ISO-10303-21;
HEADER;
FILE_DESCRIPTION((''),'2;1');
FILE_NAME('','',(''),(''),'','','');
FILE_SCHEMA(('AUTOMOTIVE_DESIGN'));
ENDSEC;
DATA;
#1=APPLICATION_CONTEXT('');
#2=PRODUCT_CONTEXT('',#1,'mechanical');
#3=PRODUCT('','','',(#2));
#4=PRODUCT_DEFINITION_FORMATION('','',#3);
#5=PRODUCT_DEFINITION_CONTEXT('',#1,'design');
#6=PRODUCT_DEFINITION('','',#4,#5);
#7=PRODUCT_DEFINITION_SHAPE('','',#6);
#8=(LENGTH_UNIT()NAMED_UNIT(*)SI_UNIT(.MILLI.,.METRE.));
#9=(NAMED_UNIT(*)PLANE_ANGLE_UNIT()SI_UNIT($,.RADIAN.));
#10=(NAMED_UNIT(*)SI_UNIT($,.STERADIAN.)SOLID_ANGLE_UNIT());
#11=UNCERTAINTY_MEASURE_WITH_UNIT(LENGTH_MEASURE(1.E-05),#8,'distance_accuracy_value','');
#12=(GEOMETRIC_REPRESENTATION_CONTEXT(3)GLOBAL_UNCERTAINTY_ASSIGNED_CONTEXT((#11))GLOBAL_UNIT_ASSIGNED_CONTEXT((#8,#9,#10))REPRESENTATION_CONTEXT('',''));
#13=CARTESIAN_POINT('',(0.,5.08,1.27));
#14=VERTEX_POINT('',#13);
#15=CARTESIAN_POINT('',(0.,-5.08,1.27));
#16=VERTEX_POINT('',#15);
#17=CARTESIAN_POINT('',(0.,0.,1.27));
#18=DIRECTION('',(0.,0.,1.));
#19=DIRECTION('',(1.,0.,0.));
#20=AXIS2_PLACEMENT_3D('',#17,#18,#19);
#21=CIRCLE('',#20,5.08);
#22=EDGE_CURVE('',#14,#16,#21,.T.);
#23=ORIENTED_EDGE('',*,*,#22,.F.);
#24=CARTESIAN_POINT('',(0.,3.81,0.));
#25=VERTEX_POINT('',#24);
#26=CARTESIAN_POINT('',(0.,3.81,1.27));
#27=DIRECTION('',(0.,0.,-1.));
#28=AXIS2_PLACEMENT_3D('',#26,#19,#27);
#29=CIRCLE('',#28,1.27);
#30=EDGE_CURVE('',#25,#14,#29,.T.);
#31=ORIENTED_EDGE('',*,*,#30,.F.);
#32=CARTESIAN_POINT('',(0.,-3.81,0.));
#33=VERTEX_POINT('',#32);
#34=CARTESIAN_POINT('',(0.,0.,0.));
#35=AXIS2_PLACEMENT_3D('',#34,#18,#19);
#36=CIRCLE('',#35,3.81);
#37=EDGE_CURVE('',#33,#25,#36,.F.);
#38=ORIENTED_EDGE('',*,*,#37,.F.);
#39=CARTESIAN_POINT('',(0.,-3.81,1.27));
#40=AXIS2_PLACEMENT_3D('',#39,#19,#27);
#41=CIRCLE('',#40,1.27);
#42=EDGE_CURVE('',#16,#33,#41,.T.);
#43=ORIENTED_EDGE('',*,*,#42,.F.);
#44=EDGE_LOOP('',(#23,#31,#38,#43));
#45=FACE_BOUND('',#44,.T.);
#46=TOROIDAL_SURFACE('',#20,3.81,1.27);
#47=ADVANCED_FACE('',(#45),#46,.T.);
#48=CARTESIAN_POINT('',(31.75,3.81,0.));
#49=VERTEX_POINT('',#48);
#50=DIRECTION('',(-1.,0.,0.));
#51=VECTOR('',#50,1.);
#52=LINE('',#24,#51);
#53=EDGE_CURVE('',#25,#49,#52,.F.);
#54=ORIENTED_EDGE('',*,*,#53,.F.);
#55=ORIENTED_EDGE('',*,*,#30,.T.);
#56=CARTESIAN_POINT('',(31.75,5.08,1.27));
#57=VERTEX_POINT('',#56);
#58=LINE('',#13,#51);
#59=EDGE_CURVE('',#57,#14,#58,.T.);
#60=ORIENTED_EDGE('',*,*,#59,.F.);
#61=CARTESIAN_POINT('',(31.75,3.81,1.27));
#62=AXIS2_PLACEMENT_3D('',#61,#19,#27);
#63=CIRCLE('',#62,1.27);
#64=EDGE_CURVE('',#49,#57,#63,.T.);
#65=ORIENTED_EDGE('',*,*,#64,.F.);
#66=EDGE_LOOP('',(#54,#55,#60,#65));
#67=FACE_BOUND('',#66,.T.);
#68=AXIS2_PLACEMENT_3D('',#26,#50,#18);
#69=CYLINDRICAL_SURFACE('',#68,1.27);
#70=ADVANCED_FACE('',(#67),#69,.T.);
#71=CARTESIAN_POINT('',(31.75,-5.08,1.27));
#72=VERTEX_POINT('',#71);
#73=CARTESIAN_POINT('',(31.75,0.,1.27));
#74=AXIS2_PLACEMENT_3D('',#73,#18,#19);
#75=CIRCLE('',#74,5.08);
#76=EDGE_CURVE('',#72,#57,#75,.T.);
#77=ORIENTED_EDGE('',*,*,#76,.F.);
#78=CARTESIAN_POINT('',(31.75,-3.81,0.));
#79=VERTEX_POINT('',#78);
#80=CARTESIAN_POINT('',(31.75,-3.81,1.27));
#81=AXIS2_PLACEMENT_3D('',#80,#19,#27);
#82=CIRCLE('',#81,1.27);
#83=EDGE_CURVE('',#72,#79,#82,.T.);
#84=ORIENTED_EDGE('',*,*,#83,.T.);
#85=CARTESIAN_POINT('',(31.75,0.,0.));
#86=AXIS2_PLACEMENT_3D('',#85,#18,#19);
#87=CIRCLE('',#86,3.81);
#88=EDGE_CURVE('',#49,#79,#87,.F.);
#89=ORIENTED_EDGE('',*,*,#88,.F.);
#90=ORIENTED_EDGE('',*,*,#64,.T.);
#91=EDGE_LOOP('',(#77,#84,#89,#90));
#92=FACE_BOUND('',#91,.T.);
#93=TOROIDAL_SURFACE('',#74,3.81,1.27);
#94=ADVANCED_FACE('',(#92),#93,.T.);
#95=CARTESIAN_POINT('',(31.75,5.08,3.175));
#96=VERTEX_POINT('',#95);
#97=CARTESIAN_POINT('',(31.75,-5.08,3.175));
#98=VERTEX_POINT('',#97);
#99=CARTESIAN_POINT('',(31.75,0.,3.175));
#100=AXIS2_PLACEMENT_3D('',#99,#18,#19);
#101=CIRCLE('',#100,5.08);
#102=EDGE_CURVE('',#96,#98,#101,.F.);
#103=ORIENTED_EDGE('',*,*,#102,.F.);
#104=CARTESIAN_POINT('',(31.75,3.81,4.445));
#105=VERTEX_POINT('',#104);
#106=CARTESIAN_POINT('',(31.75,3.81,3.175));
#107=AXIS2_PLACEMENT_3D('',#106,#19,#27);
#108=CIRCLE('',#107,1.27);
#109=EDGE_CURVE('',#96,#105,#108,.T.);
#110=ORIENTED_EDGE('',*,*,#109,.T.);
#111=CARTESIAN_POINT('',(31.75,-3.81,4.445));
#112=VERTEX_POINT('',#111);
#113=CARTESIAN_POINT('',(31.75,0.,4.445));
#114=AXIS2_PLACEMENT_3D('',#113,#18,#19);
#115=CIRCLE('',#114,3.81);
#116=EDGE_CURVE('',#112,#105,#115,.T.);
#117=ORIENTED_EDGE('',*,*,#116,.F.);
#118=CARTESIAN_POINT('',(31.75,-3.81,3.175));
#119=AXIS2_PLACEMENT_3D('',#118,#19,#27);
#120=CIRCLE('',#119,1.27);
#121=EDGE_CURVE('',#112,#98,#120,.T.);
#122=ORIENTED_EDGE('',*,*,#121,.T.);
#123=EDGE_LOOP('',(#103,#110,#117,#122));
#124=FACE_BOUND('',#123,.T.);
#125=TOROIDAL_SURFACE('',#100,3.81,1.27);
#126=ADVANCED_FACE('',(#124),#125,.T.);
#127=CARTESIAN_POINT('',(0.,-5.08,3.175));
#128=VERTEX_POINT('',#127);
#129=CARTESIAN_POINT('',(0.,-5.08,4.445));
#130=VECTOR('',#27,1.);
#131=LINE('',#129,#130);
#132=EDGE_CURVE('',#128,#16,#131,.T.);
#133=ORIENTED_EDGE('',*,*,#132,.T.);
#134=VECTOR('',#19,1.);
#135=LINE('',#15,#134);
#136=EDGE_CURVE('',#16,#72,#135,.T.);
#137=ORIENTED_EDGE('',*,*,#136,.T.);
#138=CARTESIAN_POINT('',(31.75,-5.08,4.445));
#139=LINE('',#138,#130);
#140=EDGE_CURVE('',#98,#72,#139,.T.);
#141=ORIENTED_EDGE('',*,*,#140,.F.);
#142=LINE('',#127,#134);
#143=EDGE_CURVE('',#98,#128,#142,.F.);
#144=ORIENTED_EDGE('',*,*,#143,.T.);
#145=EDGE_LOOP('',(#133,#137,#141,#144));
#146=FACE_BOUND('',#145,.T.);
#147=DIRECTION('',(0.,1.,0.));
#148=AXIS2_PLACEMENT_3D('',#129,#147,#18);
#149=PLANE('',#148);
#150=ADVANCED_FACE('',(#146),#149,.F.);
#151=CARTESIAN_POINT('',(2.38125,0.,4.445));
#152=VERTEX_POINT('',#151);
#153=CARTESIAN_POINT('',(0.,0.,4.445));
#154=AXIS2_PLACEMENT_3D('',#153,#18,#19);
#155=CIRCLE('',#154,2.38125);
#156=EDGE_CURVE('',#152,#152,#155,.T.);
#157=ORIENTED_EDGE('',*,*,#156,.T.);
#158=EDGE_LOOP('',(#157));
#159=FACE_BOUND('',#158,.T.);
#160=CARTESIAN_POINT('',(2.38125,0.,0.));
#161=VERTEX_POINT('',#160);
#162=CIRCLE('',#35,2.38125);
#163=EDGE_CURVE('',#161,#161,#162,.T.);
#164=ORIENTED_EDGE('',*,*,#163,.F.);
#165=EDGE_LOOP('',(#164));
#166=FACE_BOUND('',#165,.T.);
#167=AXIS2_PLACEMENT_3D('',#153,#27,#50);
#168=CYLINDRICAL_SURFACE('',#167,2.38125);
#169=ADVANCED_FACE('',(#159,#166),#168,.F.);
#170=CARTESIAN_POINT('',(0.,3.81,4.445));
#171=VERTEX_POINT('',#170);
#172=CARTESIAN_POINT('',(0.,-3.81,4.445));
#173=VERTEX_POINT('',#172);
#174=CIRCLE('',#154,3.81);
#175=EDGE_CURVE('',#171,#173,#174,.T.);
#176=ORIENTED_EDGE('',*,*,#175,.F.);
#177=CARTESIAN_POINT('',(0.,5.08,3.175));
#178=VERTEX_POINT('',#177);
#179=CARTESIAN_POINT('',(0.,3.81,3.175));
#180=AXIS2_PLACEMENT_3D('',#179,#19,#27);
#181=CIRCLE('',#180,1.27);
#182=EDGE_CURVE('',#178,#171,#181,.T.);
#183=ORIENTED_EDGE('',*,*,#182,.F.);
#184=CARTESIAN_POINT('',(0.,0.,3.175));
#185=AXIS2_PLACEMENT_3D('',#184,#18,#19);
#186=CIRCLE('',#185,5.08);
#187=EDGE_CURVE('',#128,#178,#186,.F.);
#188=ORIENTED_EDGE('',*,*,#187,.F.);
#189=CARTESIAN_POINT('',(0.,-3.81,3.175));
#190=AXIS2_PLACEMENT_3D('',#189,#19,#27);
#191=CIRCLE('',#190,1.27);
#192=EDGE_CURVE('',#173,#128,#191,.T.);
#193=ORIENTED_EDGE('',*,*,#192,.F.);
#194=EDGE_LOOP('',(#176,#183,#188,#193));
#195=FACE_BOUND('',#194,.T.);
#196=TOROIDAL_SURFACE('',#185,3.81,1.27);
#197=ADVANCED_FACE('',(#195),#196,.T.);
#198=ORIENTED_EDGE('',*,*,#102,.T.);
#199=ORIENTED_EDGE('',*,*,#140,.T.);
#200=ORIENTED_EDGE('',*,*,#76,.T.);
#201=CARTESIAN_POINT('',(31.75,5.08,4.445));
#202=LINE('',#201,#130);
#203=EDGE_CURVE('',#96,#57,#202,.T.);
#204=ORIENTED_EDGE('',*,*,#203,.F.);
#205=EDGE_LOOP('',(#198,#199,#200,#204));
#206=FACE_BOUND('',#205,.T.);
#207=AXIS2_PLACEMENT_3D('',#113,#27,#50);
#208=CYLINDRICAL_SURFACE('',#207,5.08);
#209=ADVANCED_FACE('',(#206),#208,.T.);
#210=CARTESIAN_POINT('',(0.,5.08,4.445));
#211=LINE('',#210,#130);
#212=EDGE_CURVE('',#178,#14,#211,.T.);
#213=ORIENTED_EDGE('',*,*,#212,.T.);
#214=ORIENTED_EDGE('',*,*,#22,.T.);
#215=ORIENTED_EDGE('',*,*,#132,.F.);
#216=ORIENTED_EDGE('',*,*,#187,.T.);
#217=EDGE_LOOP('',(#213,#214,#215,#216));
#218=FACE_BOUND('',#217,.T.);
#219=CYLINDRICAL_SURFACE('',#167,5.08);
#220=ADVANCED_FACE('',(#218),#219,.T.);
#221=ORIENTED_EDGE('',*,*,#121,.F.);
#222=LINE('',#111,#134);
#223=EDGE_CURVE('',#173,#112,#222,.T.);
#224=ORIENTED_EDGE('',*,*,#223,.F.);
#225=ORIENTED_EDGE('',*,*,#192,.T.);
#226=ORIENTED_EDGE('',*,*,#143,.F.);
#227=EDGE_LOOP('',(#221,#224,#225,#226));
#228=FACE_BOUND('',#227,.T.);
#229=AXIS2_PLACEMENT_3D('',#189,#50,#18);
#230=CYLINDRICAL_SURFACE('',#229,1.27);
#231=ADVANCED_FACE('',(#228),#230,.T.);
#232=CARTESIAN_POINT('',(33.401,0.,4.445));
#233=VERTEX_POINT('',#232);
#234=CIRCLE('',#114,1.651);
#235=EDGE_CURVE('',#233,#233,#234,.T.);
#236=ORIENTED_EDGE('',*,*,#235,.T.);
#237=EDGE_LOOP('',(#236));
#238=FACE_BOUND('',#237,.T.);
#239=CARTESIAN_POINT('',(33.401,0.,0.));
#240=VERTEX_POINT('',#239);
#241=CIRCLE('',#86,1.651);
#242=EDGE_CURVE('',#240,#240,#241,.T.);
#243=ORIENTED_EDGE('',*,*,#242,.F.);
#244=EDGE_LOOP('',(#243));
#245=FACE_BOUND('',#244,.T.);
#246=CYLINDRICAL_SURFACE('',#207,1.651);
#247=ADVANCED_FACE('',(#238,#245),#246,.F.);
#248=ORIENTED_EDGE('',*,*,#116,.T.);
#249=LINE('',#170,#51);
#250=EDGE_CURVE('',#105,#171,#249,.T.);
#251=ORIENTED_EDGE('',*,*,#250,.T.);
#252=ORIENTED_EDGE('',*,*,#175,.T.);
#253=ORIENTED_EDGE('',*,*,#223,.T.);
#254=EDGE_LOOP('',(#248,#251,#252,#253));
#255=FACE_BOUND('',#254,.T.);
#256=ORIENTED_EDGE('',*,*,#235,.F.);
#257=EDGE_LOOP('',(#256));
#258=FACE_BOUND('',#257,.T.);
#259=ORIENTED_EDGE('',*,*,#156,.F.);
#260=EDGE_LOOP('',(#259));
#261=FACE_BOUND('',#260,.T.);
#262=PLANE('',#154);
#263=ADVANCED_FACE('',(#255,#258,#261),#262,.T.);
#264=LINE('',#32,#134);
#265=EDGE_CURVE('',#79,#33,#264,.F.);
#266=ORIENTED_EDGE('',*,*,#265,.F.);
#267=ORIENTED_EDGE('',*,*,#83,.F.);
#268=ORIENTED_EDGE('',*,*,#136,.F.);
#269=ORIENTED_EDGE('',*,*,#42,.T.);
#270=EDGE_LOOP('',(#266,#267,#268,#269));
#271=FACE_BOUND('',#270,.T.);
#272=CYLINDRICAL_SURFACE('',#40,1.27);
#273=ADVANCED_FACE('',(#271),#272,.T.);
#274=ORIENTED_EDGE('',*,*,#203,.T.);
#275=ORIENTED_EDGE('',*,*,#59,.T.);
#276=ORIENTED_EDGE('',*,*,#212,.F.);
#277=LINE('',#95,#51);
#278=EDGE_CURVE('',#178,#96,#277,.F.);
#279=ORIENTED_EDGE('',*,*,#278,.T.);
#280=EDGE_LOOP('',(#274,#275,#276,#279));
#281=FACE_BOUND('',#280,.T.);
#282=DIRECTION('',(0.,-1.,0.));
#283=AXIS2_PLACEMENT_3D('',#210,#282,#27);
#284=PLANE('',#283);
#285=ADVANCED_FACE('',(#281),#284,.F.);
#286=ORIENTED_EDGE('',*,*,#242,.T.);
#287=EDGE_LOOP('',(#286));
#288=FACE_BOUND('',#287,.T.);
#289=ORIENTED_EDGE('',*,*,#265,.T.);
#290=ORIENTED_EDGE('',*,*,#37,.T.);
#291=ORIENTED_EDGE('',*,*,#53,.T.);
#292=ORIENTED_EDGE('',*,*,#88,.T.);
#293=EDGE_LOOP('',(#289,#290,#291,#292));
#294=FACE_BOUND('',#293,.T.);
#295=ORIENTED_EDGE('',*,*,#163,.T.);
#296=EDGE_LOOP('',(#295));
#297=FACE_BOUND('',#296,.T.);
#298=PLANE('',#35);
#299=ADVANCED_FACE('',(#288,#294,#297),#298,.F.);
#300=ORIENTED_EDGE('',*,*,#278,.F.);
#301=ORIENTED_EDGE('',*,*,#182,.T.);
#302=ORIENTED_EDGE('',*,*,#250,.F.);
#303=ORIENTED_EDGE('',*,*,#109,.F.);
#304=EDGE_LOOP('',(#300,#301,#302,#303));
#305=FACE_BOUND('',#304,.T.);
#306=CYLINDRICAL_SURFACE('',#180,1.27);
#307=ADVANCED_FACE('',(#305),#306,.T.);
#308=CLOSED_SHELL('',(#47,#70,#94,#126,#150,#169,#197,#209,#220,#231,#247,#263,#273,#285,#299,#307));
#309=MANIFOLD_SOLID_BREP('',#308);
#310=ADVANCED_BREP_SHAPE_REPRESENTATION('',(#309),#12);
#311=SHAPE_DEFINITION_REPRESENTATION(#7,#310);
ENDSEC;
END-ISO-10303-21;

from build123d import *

# Parameters (mm, degrees)
SKETCH1_R           = 2.38125
SKETCH1_R_2         = 1.651
BOSS_EXTRUDE1_DEPTH = 4.445
FILLET1_R           = 1.27


with BuildPart() as part:
    # Sketch1 → Boss-Extrude1 (new body)
    with BuildSketch(Plane.XY):
        with BuildLine():
            Line((0, 5.08), (31.75, 5.08))
            ThreePointArc((31.75, 5.08), (36.83, 0), (31.75, -5.08))
            Line((31.75, -5.08), (0, -5.08))
            ThreePointArc((0, -5.08), (-5.08, 0), (0, 5.08))
        make_face()
        Circle(SKETCH1_R, mode=Mode.SUBTRACT)
        with Locations((31.75, 0)):
            Circle(SKETCH1_R_2, mode=Mode.SUBTRACT)
    extrude(amount=BOSS_EXTRUDE1_DEPTH)

    # Fillet1
    fillet1_edges = [part.edges().sort_by_distance(p)[0] for p in [
        (36.83, 0, 4.445),
        (15.875, 5.08, 4.445),
        (-5.08, 0, 4.445),
        (15.875, 5.08, 0),
        (36.83, 0, 0),
        (15.875, -5.08, 0),
        (-5.08, 0, 0),
        (15.875, -5.08, 4.445),
    ]]
    fillet(fillet1_edges, radius=FILLET1_R)


solid = part.part
